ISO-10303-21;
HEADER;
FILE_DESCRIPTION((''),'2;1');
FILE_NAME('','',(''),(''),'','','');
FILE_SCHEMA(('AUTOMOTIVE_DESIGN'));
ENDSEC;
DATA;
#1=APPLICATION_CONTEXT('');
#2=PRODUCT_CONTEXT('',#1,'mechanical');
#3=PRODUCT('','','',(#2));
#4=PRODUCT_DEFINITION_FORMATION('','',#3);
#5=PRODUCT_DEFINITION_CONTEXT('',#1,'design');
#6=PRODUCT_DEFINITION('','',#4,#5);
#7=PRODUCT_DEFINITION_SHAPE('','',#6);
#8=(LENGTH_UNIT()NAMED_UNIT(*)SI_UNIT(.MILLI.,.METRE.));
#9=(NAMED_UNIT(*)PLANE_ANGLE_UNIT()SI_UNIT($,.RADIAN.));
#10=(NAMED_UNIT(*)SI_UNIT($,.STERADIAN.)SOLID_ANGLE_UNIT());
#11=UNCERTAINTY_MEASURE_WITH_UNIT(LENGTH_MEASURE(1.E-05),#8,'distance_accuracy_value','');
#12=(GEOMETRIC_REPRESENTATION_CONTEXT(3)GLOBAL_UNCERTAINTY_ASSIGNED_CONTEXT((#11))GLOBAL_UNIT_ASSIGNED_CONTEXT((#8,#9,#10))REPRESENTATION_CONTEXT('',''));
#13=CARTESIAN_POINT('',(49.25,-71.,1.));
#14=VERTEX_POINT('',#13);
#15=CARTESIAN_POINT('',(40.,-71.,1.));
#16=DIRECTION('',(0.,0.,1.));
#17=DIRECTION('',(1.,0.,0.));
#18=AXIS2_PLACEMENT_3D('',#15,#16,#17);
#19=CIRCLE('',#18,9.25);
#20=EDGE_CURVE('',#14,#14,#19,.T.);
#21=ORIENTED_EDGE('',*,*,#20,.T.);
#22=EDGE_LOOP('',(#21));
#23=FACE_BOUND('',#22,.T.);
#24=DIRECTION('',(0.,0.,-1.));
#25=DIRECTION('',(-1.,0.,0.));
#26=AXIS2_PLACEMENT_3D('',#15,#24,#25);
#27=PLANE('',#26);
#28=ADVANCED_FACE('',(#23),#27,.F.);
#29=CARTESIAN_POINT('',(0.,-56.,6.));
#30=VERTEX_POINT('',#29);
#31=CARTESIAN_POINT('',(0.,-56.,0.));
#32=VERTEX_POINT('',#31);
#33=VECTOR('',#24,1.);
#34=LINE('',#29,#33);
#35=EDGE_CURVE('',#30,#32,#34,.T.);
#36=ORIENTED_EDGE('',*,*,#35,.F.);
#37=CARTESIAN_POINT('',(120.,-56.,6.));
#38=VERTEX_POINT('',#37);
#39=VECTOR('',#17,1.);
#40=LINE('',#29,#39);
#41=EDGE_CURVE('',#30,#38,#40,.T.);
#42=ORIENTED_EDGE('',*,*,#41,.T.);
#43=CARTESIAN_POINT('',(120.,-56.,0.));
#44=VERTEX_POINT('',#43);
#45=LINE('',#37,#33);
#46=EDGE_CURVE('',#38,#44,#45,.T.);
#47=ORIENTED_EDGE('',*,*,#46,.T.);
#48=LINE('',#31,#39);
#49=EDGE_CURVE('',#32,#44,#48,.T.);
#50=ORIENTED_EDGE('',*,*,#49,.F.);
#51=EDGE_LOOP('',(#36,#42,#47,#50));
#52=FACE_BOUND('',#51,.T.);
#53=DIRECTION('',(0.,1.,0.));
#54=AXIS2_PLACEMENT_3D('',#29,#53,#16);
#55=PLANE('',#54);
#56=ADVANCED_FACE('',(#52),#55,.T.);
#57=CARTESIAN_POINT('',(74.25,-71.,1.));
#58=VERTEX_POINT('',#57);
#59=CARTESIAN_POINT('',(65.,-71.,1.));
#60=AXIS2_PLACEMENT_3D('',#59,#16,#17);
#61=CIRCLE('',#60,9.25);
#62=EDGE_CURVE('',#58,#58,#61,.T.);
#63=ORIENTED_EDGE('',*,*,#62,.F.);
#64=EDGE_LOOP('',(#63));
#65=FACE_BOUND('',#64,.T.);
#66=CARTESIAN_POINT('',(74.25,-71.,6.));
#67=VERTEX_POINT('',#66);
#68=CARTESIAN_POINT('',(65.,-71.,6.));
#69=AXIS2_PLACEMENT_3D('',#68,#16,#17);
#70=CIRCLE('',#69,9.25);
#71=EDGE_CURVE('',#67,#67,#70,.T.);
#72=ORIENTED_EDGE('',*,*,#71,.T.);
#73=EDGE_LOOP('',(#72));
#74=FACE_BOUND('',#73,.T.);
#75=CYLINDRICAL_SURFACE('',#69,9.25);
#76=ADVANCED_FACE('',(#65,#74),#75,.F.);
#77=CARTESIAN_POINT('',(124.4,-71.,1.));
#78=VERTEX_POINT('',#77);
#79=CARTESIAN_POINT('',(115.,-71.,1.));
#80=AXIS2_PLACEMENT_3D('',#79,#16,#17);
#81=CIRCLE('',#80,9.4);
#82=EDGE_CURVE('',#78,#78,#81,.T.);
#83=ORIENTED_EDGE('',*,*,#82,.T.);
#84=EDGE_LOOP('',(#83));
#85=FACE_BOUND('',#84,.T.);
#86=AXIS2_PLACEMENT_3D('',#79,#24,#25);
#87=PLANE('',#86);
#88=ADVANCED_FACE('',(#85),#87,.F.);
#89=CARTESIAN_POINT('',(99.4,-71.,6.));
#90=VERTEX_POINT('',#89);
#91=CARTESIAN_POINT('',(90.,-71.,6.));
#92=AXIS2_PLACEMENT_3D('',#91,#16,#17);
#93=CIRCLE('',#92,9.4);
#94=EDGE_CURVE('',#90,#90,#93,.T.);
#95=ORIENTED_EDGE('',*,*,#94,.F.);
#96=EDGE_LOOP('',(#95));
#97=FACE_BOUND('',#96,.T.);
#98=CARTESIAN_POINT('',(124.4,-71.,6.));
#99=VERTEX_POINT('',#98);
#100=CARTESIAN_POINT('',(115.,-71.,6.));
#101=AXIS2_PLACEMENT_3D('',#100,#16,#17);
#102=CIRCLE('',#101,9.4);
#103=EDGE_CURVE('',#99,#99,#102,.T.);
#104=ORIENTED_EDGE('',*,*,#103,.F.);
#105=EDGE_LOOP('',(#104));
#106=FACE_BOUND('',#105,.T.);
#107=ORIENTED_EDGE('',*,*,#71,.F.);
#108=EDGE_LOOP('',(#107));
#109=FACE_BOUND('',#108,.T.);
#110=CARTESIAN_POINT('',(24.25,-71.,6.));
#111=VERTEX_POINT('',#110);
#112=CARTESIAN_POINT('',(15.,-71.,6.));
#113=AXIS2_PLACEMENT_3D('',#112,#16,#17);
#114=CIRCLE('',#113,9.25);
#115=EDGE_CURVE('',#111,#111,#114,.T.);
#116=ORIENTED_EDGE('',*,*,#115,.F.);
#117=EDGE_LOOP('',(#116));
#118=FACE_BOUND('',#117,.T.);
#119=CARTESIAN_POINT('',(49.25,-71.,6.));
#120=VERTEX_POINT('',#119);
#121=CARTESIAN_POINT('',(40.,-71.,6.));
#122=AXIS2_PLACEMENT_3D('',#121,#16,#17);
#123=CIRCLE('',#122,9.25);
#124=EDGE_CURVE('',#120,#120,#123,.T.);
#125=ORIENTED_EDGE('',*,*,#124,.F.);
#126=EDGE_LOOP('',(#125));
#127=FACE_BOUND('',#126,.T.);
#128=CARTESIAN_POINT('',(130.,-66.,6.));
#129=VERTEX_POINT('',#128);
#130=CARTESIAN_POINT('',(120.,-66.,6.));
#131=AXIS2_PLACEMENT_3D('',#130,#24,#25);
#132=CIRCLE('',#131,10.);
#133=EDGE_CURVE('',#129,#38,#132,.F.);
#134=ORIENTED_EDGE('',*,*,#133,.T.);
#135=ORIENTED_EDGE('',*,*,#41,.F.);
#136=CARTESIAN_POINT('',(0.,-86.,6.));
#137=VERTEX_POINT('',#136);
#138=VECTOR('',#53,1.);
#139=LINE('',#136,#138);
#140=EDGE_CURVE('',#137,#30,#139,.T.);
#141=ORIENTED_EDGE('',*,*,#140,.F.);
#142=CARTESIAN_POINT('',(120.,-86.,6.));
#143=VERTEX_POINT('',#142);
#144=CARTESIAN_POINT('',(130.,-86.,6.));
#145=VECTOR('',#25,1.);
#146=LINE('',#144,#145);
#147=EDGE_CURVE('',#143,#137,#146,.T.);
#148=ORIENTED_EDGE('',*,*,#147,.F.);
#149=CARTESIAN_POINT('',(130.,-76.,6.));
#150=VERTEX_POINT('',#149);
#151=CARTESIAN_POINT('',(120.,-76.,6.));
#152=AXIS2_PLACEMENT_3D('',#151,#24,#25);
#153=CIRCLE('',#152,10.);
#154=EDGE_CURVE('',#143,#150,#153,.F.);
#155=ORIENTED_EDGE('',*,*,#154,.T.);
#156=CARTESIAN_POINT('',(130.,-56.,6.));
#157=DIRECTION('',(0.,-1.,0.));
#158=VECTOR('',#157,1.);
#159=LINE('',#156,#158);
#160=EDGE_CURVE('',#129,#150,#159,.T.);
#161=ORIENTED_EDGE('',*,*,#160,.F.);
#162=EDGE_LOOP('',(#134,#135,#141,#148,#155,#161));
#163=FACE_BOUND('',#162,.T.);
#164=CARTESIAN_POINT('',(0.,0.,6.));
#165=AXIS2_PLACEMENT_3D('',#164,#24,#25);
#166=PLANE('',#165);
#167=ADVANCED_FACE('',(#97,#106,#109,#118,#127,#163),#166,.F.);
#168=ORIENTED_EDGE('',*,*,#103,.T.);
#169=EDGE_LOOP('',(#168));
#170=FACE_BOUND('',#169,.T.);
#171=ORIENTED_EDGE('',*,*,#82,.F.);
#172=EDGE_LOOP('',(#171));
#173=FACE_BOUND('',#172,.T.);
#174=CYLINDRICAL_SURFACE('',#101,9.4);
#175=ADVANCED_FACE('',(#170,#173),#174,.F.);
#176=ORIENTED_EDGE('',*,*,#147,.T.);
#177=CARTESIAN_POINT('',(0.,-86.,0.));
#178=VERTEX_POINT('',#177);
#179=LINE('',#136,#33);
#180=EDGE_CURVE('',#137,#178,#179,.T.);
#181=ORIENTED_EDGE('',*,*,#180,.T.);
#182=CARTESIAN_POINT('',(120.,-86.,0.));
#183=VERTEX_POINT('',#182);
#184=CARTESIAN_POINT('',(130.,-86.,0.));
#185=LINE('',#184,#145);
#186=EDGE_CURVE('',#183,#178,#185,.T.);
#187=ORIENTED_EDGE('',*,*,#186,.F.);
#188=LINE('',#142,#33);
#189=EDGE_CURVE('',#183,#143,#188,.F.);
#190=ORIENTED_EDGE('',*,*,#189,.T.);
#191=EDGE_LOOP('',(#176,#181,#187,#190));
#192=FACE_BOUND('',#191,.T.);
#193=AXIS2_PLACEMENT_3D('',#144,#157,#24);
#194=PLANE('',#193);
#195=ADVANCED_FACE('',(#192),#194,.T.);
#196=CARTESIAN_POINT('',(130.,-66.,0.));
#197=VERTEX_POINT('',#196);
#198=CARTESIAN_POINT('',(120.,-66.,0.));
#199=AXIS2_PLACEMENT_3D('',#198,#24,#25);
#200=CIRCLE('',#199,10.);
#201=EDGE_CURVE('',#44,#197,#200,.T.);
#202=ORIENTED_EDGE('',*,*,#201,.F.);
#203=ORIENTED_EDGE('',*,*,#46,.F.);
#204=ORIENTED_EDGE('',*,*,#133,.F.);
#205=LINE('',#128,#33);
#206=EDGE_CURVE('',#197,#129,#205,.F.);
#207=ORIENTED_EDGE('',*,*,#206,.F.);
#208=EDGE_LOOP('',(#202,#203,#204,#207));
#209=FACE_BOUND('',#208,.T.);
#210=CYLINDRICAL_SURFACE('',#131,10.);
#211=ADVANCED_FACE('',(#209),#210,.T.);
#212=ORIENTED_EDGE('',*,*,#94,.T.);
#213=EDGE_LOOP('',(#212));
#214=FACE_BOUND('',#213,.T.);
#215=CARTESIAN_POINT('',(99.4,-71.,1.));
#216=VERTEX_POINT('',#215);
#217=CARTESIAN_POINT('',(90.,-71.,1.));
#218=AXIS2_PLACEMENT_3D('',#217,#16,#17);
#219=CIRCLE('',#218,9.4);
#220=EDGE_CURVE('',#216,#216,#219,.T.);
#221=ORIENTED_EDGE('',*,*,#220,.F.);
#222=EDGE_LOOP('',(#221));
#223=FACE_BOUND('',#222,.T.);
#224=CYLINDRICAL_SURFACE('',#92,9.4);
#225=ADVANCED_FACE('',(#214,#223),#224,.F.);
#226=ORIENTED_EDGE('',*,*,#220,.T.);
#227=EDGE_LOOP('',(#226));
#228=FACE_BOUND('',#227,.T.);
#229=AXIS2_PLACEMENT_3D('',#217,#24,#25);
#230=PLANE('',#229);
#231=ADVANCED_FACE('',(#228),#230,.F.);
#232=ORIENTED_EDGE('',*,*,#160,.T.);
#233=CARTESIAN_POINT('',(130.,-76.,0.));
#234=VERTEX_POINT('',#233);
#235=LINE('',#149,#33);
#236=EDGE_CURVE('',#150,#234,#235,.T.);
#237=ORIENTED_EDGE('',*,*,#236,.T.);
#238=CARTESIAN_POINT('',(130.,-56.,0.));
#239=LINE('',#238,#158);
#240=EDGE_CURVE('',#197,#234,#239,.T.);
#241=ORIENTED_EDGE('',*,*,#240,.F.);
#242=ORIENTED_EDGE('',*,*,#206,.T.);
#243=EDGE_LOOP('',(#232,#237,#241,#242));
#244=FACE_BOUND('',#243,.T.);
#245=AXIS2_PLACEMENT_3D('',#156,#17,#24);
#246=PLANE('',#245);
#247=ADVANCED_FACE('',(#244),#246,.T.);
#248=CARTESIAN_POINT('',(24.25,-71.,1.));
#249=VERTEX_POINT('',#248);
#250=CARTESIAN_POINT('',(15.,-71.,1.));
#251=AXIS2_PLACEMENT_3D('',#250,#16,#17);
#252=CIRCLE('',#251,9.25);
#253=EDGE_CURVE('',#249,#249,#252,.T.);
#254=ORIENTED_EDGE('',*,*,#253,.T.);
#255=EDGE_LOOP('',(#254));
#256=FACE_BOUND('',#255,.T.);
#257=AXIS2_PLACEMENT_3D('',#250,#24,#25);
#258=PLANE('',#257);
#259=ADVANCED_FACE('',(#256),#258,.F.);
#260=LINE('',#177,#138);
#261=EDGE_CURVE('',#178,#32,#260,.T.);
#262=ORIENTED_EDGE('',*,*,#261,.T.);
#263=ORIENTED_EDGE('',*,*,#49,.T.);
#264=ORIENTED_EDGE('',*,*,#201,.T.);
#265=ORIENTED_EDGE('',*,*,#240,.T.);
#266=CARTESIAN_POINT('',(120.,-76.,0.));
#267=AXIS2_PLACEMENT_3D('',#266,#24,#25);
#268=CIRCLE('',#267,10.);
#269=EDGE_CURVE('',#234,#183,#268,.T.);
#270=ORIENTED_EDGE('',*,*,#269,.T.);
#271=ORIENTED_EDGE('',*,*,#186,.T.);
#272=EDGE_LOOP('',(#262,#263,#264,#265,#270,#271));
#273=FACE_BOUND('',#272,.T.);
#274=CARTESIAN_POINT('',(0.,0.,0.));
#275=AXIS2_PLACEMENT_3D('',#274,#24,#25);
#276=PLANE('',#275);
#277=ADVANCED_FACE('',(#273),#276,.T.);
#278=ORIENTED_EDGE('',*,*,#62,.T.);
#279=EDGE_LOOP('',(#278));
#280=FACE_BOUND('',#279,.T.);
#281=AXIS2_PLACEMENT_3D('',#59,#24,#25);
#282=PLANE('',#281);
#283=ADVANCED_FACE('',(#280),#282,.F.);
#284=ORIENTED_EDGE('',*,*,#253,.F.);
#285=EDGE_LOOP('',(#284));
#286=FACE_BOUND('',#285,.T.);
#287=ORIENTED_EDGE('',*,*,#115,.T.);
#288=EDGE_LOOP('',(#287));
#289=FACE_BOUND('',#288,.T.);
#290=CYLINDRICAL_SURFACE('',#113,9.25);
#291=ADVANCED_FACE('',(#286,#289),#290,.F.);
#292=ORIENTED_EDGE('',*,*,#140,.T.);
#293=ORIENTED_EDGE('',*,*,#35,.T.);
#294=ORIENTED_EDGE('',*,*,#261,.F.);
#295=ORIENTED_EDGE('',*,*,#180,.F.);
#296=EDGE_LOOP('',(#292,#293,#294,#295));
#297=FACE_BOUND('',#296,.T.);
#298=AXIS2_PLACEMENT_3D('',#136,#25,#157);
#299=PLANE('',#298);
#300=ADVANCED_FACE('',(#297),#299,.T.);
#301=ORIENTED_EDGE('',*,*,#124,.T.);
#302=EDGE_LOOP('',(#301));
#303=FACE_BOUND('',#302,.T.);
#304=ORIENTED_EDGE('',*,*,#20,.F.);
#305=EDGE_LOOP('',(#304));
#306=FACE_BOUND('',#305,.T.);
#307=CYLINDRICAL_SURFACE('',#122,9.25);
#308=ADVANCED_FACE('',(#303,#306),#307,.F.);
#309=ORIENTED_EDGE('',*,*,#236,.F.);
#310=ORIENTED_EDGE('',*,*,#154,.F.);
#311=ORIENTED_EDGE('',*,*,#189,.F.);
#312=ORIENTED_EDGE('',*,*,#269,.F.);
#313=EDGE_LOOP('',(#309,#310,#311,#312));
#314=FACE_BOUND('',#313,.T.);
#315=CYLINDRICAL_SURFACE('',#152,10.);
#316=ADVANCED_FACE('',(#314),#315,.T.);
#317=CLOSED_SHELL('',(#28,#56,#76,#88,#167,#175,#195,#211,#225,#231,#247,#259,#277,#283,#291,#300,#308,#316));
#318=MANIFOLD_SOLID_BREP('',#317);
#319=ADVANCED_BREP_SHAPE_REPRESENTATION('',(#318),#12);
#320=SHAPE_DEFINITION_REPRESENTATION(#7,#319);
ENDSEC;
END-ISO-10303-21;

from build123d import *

# Parameters (mm, degrees)
SKETCH_1_W                    = 130
SKETCH_1_H                    = 30
EXTRUDE_1_DEPTH               = 6
HOLE_WIZARD_M16_1_D           = 18.8
HOLE_WIZARD_M16_1_DEPTH       = 5
HOLE_WIZARD_18_5_18_5_1_D     = 18.5
HOLE_WIZARD_18_5_18_5_1_DEPTH = 5
FILLET_1_R                    = 10


with BuildPart() as part:
    # 草图1 → 凸台-拉伸1 (new body)
    with BuildSketch(Plane(origin=(0, 0, 0), x_dir=(-1, 0, 0), z_dir=(0, 0, -1))):
        with Locations((-65, -71)):
            Rectangle(SKETCH_1_W, SKETCH_1_H)
    extrude(amount=-EXTRUDE_1_DEPTH)

    # M16 间隙孔1
    with Locations(Plane.XY.offset(6)):
        with Locations((90, -71), (115, -71)):
            Hole(HOLE_WIZARD_M16_1_D / 2, depth=HOLE_WIZARD_M16_1_DEPTH)

    # Ø18.5 (18.5) 直径孔1
    with Locations(Plane.XY.offset(6)):
        with Locations((15, -71), (40, -71), (65, -71)):
            Hole(HOLE_WIZARD_18_5_18_5_1_D / 2, depth=HOLE_WIZARD_18_5_18_5_1_DEPTH)

    # 圆角1
    fillet_1_edges = [part.edges().sort_by_distance(p)[0] for p in [
        (130, -86, 3),
        (130, -56, 3),
    ]]
    fillet(fillet_1_edges, radius=FILLET_1_R)


solid = part.part
